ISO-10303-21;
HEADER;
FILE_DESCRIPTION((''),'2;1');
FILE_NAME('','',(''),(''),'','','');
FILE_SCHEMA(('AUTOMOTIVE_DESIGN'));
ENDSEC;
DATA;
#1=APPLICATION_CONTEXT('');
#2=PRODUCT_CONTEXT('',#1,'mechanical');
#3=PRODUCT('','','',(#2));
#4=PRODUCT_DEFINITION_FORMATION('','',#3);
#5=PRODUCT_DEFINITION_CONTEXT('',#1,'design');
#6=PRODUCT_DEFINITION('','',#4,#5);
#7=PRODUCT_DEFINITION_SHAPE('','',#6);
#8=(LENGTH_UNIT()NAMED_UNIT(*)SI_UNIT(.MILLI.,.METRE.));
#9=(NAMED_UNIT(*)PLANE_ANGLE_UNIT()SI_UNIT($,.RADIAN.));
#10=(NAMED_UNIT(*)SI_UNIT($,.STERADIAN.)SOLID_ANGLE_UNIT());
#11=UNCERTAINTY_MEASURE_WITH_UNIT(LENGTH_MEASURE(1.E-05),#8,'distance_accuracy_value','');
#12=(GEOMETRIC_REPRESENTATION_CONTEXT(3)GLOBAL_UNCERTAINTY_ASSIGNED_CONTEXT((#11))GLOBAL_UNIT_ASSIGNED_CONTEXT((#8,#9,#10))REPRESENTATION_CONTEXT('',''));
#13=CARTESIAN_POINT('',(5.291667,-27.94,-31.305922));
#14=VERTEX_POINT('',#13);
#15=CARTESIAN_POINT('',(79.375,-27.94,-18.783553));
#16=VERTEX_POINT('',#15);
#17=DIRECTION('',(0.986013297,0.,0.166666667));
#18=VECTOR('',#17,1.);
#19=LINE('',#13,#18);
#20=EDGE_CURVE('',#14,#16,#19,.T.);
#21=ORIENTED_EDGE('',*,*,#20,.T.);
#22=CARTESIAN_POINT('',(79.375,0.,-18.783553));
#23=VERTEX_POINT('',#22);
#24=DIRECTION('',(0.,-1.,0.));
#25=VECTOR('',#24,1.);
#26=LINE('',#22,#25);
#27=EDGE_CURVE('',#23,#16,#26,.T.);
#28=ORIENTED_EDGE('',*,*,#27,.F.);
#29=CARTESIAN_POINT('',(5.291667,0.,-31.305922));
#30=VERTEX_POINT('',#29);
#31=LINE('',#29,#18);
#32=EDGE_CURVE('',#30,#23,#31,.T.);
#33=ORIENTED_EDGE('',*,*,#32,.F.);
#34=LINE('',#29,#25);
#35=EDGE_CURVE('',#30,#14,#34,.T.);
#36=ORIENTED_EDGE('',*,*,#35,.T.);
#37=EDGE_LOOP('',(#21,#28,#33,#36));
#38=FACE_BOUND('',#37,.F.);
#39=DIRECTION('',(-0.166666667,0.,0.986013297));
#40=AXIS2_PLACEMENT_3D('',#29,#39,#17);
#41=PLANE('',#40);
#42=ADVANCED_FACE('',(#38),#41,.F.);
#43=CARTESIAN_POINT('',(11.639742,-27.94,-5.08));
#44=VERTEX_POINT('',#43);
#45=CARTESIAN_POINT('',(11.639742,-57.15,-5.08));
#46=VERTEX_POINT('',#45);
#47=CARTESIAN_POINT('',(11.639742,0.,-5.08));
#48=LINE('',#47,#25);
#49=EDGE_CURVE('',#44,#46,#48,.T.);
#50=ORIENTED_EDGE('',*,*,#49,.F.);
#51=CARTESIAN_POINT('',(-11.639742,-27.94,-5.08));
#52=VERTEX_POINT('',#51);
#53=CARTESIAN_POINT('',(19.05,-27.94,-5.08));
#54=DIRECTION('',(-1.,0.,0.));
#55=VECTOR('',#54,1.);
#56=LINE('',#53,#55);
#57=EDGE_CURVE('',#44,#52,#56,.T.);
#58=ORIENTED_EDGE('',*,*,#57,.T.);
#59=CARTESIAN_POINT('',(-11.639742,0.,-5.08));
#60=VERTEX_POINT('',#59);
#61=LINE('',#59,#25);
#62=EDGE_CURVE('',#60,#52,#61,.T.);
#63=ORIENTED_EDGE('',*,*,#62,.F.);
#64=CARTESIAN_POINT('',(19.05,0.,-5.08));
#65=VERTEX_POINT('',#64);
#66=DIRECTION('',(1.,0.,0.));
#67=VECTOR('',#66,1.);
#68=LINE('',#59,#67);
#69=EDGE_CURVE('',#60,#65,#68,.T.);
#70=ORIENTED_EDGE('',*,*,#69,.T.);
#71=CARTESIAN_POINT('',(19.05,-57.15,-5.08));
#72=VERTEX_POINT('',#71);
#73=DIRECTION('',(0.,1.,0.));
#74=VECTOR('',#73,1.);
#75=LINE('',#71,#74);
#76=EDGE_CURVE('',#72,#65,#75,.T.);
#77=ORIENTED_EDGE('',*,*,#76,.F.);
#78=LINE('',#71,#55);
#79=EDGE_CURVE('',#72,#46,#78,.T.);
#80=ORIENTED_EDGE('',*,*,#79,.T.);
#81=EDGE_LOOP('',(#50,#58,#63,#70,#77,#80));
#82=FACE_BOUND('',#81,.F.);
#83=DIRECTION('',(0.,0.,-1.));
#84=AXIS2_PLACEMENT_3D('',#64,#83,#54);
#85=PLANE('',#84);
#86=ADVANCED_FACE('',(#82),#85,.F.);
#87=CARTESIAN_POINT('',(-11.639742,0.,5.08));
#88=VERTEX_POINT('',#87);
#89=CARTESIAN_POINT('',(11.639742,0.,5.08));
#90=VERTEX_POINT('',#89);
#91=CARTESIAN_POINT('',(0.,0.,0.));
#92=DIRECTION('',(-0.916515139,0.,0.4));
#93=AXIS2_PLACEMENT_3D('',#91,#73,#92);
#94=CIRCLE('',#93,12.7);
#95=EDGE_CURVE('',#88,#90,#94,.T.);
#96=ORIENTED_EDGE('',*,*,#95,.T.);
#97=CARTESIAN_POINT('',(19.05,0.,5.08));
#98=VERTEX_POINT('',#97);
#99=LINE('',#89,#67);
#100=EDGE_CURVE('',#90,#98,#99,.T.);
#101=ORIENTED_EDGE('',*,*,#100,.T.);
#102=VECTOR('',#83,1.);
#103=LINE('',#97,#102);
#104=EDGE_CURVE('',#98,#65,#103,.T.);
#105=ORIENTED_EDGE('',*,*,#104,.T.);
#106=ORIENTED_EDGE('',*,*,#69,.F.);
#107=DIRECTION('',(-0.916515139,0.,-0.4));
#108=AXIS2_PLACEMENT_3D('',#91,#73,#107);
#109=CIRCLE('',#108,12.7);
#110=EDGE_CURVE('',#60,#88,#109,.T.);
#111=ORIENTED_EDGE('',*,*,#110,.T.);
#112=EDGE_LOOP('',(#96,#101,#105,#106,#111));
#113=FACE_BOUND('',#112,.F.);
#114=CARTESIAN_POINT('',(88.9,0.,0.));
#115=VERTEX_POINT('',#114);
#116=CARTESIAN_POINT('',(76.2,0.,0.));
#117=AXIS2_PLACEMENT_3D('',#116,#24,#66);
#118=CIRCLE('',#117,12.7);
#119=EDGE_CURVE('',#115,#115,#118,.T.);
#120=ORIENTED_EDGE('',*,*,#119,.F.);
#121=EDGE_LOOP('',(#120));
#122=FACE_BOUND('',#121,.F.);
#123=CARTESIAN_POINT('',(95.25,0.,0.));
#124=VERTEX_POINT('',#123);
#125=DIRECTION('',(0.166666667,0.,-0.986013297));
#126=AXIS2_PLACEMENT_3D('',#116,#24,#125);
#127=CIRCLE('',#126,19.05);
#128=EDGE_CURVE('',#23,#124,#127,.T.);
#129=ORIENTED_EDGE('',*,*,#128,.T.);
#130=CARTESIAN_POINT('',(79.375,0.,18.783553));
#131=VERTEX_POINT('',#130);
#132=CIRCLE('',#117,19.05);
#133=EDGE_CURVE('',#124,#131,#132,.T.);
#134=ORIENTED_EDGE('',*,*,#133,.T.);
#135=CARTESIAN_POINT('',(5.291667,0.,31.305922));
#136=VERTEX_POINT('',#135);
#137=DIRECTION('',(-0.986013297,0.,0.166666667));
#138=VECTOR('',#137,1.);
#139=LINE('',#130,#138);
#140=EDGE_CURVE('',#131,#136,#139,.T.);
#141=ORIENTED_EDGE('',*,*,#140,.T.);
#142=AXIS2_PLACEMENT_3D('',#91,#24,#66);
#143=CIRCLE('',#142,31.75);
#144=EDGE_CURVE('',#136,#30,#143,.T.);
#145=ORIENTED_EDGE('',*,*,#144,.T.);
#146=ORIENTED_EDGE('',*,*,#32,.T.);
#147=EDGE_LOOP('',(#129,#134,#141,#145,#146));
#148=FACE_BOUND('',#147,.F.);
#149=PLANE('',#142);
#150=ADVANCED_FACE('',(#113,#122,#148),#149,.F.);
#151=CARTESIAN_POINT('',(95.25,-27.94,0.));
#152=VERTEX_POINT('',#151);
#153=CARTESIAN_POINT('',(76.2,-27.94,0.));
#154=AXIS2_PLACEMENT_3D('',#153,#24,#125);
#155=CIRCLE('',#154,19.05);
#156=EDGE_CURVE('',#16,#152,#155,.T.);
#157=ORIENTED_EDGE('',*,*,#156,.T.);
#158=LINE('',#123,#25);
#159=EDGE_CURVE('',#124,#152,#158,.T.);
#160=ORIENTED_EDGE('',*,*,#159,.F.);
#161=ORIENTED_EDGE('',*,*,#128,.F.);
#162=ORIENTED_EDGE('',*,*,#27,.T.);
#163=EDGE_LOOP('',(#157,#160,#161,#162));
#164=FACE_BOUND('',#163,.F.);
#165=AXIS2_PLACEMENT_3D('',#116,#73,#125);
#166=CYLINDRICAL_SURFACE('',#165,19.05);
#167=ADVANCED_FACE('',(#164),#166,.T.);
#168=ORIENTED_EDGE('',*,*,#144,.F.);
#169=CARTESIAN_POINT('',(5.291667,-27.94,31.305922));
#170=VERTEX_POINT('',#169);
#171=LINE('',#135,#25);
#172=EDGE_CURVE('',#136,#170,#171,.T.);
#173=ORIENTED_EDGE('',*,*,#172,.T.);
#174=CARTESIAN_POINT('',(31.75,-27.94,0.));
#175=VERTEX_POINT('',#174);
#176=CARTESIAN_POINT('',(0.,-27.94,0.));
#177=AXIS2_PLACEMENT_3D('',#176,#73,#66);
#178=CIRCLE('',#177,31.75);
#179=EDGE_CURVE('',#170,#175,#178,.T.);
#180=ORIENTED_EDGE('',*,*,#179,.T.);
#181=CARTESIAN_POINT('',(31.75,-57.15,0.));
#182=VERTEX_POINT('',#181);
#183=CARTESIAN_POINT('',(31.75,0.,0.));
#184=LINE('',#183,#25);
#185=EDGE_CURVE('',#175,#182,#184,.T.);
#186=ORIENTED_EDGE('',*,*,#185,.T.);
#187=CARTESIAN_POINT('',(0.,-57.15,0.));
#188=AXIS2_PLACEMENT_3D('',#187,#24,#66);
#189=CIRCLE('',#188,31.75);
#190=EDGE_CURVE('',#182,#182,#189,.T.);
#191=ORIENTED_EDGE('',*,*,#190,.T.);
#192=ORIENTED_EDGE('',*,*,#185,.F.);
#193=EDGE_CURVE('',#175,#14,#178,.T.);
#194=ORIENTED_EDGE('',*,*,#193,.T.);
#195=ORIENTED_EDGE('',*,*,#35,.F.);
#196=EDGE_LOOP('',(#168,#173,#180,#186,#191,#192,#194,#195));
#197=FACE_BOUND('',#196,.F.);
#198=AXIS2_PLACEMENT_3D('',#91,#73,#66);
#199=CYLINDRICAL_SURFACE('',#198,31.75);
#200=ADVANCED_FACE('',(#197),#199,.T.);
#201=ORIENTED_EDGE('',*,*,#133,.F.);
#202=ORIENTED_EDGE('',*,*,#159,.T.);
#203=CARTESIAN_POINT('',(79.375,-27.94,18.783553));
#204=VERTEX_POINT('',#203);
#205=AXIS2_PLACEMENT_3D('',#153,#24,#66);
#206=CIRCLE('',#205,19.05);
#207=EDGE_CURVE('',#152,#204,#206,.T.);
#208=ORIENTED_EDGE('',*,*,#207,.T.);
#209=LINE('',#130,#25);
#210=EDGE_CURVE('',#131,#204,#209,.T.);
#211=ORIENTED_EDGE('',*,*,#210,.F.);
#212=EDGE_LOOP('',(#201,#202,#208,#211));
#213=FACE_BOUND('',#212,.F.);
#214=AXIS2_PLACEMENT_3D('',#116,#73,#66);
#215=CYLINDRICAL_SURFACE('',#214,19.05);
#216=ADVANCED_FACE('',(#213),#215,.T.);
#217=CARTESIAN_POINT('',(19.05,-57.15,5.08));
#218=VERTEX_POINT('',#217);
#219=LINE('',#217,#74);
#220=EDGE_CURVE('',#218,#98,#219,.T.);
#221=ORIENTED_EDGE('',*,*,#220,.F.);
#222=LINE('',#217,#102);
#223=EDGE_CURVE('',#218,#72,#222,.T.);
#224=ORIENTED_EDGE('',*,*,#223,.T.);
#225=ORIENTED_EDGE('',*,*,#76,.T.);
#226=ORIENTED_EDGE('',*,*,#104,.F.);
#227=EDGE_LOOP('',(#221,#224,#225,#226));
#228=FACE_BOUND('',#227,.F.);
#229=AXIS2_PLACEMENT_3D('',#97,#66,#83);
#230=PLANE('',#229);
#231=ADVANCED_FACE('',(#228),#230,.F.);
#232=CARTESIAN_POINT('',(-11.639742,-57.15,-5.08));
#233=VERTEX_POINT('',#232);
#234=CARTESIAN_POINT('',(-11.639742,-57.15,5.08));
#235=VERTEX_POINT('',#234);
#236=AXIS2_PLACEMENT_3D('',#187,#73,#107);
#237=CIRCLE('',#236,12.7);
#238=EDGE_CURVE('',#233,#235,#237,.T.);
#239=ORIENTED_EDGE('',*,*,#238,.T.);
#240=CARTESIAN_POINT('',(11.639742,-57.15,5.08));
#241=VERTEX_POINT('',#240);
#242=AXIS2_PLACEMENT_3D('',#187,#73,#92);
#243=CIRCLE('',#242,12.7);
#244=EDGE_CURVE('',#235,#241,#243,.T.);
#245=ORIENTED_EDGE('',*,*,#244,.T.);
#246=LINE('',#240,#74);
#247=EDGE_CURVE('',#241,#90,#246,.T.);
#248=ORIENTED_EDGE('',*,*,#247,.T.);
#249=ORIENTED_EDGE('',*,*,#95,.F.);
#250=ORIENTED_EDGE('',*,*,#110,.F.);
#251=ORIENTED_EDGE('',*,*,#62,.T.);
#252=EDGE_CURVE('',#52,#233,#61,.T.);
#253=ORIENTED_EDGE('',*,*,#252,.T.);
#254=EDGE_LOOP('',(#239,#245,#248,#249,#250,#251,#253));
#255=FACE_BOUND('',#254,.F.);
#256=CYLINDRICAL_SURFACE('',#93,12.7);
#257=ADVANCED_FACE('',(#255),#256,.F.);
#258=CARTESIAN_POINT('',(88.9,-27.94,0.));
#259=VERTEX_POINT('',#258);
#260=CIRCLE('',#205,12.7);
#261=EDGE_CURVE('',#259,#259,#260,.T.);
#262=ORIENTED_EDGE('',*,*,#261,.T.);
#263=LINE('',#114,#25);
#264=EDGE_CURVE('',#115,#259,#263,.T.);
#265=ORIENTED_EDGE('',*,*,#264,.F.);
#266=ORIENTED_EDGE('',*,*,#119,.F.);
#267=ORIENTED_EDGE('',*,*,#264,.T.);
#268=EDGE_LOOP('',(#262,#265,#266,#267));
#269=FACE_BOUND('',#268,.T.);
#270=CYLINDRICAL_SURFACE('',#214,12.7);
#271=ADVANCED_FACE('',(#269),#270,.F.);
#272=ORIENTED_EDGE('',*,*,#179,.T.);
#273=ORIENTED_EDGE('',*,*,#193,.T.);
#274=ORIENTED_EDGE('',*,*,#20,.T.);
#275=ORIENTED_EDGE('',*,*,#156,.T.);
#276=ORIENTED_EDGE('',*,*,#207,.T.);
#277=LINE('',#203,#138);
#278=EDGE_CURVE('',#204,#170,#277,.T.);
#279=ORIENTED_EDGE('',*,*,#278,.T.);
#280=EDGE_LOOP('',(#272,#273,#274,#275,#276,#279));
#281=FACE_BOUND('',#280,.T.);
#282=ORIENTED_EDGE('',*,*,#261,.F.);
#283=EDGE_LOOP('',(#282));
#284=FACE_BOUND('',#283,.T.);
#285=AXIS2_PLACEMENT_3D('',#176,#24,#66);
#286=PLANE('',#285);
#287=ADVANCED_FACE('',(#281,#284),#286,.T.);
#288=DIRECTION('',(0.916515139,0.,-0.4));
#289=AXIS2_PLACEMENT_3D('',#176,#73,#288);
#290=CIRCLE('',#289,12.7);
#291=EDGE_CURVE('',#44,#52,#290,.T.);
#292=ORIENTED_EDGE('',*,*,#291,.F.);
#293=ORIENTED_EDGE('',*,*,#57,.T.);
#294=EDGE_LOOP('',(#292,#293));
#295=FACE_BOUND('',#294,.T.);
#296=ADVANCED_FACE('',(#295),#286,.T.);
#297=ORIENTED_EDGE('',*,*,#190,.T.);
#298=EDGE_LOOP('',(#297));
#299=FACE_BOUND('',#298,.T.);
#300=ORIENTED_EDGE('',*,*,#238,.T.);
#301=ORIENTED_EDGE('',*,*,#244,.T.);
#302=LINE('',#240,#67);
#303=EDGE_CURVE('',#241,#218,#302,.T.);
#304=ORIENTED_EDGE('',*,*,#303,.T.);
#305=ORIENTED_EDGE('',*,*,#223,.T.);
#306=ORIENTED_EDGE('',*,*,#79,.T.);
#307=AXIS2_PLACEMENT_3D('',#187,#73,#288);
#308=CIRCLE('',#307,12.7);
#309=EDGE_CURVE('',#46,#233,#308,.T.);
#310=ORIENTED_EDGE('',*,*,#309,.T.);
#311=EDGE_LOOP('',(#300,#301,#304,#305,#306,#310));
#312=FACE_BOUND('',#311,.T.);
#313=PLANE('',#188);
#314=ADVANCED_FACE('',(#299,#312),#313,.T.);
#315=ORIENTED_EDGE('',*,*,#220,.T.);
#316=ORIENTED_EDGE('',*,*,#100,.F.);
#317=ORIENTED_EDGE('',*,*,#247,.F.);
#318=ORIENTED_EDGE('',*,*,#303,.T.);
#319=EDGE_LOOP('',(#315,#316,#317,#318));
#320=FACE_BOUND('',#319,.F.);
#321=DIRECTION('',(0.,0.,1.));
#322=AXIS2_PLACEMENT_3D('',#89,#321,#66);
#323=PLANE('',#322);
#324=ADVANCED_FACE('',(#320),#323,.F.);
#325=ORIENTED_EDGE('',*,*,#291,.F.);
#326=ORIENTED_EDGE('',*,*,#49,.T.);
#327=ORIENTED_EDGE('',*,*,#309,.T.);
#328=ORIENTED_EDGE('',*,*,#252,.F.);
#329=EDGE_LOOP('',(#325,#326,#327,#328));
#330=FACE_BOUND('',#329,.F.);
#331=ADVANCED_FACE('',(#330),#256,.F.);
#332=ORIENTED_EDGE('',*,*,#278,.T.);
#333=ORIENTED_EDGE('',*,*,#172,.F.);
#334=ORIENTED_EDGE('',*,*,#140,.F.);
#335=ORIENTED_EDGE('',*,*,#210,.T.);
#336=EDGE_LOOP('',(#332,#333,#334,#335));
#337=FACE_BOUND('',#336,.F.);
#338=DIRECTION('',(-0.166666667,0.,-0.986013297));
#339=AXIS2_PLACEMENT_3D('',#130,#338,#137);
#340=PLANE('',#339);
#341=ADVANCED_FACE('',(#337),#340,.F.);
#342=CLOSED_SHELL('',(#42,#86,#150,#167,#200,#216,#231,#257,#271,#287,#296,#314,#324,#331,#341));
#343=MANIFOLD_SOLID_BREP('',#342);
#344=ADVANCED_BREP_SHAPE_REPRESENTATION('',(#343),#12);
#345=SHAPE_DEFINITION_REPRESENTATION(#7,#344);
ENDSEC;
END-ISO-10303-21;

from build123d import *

# Parameters (mm, degrees)
F0_R     = 12.7
F1_DEPTH = 27.94
F2_DEPTH = 57.15


with BuildPart() as f1:
    # F0 (on Front) → F1 (new body)
    with BuildSketch(Plane.XZ):
        with BuildLine():
            ThreePointArc((5.2916666667, -31.3059221856), (24.2494630525, -20.4945368737), (31.75, 0))
            ThreePointArc((31.75, 0), (24.2494630525, 20.4945368737), (5.2916666667, 31.3059221856))
            ThreePointArc((5.2916666667, 31.3059221856), (-31.75, 0), (5.2916666667, -31.3059221856))
        make_face()
        with BuildLine():
            ThreePointArc((-11.6397422652, 5.08), (0, 12.7), (11.6397422652, 5.08))
            Line((11.6397422652, 5.08), (19.05, 5.08))
            Line((19.05, 5.08), (19.05, -5.08))
            Line((19.05, -5.08), (11.6397422652, -5.08))
            ThreePointArc((11.6397422652, -5.08), (0, -12.7), (-11.6397422652, -5.08))
            Line((-11.6397422652, -5.08), (-19.05, -5.08))
            Line((-19.05, -5.08), (-19.05, 5.08))
            Line((-19.05, 5.08), (-11.6397422652, 5.08))
        make_face(mode=Mode.SUBTRACT)
        with BuildLine():
            ThreePointArc((-11.6397422652, -5.08), (0, -12.7), (11.6397422652, -5.08))
            Line((11.6397422652, -5.08), (-11.6397422652, -5.08))
        make_face()
        with BuildLine():
            ThreePointArc((5.2916666667, 31.3059221856), (24.2494630525, 20.4945368737), (31.75, 0))
            ThreePointArc((31.75, 0), (24.2494630525, -20.4945368737), (5.2916666667, -31.3059221856))
            Line((5.2916666667, -31.3059221856), (79.375, -18.7835533113))
            ThreePointArc((79.375, -18.7835533113), (57.15, 0), (79.375, 18.7835533113))
            Line((79.375, 18.7835533113), (5.2916666667, 31.3059221856))
        make_face()
        with BuildLine():
            ThreePointArc((95.25, 0), (90.7496778315, 12.2967221242), (79.375, 18.7835533113))
            ThreePointArc((79.375, 18.7835533113), (57.15, 0), (79.375, -18.7835533113))
            ThreePointArc((79.375, -18.7835533113), (90.7496778315, -12.2967221242), (95.25, 0))
        make_face()
        with Locations((76.2, 0)):
            Circle(F0_R, mode=Mode.SUBTRACT)
    extrude(amount=F1_DEPTH)

    # F0 (on Front) → F2 (join)
    with BuildSketch(Plane.XZ):
        with BuildLine():
            ThreePointArc((5.2916666667, -31.3059221856), (24.2494630525, -20.4945368737), (31.75, 0))
            ThreePointArc((31.75, 0), (24.2494630525, 20.4945368737), (5.2916666667, 31.3059221856))
            ThreePointArc((5.2916666667, 31.3059221856), (-31.75, 0), (5.2916666667, -31.3059221856))
        make_face()
        with BuildLine():
            ThreePointArc((-11.6397422652, 5.08), (0, 12.7), (11.6397422652, 5.08))
            Line((11.6397422652, 5.08), (19.05, 5.08))
            Line((19.05, 5.08), (19.05, -5.08))
            Line((19.05, -5.08), (11.6397422652, -5.08))
            ThreePointArc((11.6397422652, -5.08), (0, -12.7), (-11.6397422652, -5.08))
            Line((-11.6397422652, -5.08), (-19.05, -5.08))
            Line((-19.05, -5.08), (-19.05, 5.08))
            Line((-19.05, 5.08), (-11.6397422652, 5.08))
        make_face(mode=Mode.SUBTRACT)
        with BuildLine():
            ThreePointArc((-11.6397422652, -5.08), (-12.7, 0), (-11.6397422652, 5.08))
            Line((-11.6397422652, 5.08), (-19.05, 5.08))
            Line((-19.05, 5.08), (-19.05, -5.08))
            Line((-19.05, -5.08), (-11.6397422652, -5.08))
        make_face()
    extrude(amount=F2_DEPTH)


solid = f1.part
